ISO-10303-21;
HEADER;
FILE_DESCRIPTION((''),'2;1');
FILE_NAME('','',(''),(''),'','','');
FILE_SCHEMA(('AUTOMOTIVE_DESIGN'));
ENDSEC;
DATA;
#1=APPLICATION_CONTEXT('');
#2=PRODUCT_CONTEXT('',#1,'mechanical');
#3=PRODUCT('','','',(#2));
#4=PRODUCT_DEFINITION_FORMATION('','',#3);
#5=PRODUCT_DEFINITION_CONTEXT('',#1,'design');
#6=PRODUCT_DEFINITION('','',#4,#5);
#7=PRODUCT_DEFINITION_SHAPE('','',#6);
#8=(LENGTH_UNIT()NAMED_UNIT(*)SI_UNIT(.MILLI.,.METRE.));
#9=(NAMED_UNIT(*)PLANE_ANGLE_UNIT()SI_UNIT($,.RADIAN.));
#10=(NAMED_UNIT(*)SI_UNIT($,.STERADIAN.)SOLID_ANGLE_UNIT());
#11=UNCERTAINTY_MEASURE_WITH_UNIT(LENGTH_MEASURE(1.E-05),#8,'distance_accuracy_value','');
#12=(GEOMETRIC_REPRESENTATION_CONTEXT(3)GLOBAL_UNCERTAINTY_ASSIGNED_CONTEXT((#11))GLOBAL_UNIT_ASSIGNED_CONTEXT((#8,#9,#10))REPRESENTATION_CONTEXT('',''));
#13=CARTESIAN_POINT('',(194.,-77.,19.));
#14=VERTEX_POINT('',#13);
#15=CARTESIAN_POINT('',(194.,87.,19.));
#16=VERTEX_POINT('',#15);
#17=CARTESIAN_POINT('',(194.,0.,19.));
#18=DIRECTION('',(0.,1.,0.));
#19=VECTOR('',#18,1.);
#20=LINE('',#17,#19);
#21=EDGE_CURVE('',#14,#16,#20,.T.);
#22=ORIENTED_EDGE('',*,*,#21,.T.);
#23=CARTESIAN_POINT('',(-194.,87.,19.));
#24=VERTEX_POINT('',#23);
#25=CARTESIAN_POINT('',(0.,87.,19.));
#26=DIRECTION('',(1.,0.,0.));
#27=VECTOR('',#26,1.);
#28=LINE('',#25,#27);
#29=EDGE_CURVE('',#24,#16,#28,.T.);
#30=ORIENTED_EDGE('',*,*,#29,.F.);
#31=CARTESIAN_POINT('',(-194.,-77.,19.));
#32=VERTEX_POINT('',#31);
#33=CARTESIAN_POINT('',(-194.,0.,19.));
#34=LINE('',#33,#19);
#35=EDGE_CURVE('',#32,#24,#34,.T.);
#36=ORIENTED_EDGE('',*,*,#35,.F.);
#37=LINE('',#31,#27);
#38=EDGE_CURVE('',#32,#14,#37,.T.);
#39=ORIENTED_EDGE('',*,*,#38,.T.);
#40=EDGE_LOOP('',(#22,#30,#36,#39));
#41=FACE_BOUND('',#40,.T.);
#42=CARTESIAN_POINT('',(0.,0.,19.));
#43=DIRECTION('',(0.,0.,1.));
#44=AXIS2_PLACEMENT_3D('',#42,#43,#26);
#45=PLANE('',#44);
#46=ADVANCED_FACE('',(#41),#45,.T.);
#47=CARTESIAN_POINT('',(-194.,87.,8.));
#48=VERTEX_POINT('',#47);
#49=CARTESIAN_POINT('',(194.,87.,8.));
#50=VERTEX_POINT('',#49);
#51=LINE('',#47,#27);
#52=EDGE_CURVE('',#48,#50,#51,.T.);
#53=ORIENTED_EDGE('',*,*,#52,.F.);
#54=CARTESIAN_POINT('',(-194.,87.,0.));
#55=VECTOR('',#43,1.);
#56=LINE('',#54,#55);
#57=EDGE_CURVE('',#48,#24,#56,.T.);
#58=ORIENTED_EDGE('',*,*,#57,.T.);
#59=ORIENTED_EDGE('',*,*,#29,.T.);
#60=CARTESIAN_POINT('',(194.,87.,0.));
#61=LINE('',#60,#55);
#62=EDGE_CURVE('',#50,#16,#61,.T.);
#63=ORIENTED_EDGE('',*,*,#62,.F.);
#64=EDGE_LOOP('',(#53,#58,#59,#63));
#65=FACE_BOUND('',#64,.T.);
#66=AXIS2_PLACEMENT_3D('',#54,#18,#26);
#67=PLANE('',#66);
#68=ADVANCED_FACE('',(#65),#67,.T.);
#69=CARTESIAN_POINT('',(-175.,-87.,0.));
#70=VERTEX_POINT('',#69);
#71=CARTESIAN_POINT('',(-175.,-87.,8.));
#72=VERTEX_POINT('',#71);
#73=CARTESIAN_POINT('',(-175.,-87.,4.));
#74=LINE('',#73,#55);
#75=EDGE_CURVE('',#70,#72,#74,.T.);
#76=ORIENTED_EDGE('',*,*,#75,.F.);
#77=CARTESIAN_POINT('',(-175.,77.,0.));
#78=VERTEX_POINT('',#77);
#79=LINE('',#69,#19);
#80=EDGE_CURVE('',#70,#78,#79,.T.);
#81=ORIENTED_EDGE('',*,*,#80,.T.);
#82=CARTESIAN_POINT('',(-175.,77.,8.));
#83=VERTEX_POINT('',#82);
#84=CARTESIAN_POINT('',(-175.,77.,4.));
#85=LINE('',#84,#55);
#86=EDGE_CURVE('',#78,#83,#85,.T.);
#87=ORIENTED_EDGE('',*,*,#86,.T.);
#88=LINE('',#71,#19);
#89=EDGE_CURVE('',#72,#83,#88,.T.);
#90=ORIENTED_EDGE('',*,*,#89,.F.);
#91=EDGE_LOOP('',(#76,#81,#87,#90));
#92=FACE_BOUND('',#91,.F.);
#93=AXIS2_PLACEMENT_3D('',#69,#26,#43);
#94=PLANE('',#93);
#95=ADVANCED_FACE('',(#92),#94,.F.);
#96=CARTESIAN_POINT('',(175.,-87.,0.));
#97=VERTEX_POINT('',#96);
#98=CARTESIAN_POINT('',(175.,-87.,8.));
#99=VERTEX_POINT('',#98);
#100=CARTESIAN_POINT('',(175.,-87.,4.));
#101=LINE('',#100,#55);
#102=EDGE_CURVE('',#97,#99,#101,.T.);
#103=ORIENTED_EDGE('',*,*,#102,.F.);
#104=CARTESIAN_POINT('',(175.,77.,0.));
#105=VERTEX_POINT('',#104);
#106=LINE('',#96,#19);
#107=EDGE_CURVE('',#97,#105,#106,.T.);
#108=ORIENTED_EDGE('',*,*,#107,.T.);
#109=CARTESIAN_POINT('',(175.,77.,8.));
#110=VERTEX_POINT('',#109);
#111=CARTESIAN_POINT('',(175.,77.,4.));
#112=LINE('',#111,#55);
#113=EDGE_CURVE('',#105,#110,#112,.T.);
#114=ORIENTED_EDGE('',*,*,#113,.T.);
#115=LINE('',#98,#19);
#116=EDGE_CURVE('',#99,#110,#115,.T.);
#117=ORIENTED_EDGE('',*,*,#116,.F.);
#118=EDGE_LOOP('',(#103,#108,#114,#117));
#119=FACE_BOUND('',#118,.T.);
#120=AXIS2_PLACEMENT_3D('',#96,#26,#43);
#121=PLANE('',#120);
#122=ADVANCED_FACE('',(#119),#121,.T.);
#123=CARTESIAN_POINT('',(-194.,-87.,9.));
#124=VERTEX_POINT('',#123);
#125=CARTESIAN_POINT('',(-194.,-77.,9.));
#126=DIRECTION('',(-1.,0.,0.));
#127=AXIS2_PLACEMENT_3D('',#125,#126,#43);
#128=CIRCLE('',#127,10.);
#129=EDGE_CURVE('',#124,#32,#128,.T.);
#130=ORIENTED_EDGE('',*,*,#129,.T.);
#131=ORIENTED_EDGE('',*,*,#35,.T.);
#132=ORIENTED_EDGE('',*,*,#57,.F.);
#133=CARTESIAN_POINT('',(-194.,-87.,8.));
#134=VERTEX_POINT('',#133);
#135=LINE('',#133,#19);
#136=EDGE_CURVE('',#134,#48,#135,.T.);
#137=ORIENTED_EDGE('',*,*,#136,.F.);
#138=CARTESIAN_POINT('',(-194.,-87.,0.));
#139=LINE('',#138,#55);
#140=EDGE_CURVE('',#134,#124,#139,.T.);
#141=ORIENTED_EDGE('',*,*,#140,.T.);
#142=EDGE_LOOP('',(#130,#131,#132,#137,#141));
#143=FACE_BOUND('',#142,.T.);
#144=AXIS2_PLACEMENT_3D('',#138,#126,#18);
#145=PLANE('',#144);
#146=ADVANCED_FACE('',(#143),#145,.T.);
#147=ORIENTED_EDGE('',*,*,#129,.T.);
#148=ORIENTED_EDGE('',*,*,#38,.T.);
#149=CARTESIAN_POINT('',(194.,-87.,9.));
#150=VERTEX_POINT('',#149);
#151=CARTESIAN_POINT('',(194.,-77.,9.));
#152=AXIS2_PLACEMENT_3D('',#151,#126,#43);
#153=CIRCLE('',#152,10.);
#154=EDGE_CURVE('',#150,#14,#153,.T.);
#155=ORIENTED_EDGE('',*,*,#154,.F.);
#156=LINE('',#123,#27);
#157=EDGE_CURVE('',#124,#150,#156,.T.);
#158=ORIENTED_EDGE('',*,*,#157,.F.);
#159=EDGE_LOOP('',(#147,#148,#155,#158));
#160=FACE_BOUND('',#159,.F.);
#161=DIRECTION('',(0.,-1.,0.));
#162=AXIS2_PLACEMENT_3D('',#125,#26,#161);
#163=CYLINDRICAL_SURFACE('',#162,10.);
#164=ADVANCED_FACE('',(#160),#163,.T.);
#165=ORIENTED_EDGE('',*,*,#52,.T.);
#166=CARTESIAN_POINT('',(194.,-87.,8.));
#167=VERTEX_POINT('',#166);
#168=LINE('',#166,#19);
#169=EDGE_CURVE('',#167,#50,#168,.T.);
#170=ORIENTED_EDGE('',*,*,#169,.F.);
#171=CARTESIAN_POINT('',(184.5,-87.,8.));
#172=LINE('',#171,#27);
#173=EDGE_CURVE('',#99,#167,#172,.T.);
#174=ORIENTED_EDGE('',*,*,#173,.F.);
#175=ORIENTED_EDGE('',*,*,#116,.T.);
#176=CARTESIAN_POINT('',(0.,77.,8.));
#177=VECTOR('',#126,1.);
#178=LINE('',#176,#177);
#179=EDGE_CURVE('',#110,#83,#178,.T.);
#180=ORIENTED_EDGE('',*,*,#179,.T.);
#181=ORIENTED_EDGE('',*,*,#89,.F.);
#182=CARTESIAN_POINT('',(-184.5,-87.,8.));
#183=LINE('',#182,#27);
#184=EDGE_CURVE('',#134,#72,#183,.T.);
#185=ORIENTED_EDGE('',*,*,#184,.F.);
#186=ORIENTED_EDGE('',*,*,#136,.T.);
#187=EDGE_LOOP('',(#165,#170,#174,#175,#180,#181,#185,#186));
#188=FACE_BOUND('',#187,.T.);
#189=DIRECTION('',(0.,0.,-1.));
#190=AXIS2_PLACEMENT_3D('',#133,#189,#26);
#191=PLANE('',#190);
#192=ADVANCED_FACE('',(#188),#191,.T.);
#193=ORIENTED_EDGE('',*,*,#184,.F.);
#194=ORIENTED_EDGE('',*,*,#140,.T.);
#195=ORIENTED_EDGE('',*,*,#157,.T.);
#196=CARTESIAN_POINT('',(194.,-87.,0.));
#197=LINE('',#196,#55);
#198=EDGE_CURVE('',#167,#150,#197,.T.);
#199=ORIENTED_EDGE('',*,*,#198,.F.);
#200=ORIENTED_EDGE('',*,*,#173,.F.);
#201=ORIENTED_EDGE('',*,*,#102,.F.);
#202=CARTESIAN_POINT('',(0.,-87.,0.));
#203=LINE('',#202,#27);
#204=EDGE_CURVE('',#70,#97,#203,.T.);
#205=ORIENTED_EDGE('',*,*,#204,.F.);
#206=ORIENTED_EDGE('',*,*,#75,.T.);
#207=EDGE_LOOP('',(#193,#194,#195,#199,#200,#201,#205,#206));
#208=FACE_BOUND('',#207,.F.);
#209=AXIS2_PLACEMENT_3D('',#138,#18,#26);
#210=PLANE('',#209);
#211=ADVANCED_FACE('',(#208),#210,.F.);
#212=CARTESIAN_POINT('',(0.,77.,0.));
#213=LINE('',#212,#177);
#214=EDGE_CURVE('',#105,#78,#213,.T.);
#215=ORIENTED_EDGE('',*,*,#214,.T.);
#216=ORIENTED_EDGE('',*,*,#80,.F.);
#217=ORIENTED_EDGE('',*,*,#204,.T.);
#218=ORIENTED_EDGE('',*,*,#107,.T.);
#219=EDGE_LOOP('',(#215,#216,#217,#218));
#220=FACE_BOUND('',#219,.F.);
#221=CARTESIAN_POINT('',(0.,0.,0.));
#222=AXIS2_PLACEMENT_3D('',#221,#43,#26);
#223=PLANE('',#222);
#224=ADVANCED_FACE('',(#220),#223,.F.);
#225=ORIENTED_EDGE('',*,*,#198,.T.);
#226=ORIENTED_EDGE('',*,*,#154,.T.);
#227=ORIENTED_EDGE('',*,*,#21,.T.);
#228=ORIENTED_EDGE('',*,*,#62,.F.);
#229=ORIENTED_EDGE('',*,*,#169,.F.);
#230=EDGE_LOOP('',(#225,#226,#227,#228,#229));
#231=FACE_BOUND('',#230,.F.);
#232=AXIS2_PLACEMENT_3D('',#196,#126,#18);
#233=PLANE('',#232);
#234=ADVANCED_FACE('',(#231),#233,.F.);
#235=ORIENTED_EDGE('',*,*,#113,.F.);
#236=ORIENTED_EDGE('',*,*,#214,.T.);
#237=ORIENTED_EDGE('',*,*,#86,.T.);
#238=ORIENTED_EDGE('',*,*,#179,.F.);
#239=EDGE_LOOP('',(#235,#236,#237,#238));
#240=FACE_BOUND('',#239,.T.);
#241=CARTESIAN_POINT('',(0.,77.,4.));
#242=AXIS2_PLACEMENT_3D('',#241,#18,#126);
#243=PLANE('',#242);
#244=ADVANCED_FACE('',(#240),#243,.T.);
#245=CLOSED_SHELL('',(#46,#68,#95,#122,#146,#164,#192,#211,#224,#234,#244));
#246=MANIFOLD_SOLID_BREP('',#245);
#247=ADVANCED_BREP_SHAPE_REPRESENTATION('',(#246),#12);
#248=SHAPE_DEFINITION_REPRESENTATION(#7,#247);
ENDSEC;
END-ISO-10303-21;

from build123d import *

# Parameters (mm, degrees)
F0_W     = 388
F0_H     = 174
F1_DEPTH = 19
F2_W     = 19
F2_H     = 8
F3_DEPTH = 178
F4_W     = 350
F4_H     = 8
F5_DEPTH = 10
F6_R     = 10


with BuildPart() as f1:
    # F0 (on Top) → F1 (new body)
    with BuildSketch(Plane.XY):
        Rectangle(F0_W, F0_H)
    extrude(amount=F1_DEPTH)

    # F2 (on face) → F3 (cut)
    with BuildSketch(Plane.XZ.offset(87)):
        with Locations((184.5, 4)):
            Rectangle(F2_W, F2_H)
        with Locations((-184.5, 4)):
            Rectangle(F2_W, F2_H)
    extrude(amount=-F3_DEPTH, mode=Mode.SUBTRACT)

    # F4 (on face) → F5 (cut)
    with BuildSketch(Plane(origin=(0, 87, 0), x_dir=(-1, 0, 0), z_dir=(0, 1, 0))):
        with Locations((0, 4)):
            Rectangle(F4_W, F4_H)
    extrude(amount=-F5_DEPTH, mode=Mode.SUBTRACT)

    # F6
    f6_edges = [f1.edges().sort_by_distance(p)[0] for p in [
        (0, -87, 19),
    ]]
    fillet(f6_edges, radius=F6_R)


solid = f1.part
